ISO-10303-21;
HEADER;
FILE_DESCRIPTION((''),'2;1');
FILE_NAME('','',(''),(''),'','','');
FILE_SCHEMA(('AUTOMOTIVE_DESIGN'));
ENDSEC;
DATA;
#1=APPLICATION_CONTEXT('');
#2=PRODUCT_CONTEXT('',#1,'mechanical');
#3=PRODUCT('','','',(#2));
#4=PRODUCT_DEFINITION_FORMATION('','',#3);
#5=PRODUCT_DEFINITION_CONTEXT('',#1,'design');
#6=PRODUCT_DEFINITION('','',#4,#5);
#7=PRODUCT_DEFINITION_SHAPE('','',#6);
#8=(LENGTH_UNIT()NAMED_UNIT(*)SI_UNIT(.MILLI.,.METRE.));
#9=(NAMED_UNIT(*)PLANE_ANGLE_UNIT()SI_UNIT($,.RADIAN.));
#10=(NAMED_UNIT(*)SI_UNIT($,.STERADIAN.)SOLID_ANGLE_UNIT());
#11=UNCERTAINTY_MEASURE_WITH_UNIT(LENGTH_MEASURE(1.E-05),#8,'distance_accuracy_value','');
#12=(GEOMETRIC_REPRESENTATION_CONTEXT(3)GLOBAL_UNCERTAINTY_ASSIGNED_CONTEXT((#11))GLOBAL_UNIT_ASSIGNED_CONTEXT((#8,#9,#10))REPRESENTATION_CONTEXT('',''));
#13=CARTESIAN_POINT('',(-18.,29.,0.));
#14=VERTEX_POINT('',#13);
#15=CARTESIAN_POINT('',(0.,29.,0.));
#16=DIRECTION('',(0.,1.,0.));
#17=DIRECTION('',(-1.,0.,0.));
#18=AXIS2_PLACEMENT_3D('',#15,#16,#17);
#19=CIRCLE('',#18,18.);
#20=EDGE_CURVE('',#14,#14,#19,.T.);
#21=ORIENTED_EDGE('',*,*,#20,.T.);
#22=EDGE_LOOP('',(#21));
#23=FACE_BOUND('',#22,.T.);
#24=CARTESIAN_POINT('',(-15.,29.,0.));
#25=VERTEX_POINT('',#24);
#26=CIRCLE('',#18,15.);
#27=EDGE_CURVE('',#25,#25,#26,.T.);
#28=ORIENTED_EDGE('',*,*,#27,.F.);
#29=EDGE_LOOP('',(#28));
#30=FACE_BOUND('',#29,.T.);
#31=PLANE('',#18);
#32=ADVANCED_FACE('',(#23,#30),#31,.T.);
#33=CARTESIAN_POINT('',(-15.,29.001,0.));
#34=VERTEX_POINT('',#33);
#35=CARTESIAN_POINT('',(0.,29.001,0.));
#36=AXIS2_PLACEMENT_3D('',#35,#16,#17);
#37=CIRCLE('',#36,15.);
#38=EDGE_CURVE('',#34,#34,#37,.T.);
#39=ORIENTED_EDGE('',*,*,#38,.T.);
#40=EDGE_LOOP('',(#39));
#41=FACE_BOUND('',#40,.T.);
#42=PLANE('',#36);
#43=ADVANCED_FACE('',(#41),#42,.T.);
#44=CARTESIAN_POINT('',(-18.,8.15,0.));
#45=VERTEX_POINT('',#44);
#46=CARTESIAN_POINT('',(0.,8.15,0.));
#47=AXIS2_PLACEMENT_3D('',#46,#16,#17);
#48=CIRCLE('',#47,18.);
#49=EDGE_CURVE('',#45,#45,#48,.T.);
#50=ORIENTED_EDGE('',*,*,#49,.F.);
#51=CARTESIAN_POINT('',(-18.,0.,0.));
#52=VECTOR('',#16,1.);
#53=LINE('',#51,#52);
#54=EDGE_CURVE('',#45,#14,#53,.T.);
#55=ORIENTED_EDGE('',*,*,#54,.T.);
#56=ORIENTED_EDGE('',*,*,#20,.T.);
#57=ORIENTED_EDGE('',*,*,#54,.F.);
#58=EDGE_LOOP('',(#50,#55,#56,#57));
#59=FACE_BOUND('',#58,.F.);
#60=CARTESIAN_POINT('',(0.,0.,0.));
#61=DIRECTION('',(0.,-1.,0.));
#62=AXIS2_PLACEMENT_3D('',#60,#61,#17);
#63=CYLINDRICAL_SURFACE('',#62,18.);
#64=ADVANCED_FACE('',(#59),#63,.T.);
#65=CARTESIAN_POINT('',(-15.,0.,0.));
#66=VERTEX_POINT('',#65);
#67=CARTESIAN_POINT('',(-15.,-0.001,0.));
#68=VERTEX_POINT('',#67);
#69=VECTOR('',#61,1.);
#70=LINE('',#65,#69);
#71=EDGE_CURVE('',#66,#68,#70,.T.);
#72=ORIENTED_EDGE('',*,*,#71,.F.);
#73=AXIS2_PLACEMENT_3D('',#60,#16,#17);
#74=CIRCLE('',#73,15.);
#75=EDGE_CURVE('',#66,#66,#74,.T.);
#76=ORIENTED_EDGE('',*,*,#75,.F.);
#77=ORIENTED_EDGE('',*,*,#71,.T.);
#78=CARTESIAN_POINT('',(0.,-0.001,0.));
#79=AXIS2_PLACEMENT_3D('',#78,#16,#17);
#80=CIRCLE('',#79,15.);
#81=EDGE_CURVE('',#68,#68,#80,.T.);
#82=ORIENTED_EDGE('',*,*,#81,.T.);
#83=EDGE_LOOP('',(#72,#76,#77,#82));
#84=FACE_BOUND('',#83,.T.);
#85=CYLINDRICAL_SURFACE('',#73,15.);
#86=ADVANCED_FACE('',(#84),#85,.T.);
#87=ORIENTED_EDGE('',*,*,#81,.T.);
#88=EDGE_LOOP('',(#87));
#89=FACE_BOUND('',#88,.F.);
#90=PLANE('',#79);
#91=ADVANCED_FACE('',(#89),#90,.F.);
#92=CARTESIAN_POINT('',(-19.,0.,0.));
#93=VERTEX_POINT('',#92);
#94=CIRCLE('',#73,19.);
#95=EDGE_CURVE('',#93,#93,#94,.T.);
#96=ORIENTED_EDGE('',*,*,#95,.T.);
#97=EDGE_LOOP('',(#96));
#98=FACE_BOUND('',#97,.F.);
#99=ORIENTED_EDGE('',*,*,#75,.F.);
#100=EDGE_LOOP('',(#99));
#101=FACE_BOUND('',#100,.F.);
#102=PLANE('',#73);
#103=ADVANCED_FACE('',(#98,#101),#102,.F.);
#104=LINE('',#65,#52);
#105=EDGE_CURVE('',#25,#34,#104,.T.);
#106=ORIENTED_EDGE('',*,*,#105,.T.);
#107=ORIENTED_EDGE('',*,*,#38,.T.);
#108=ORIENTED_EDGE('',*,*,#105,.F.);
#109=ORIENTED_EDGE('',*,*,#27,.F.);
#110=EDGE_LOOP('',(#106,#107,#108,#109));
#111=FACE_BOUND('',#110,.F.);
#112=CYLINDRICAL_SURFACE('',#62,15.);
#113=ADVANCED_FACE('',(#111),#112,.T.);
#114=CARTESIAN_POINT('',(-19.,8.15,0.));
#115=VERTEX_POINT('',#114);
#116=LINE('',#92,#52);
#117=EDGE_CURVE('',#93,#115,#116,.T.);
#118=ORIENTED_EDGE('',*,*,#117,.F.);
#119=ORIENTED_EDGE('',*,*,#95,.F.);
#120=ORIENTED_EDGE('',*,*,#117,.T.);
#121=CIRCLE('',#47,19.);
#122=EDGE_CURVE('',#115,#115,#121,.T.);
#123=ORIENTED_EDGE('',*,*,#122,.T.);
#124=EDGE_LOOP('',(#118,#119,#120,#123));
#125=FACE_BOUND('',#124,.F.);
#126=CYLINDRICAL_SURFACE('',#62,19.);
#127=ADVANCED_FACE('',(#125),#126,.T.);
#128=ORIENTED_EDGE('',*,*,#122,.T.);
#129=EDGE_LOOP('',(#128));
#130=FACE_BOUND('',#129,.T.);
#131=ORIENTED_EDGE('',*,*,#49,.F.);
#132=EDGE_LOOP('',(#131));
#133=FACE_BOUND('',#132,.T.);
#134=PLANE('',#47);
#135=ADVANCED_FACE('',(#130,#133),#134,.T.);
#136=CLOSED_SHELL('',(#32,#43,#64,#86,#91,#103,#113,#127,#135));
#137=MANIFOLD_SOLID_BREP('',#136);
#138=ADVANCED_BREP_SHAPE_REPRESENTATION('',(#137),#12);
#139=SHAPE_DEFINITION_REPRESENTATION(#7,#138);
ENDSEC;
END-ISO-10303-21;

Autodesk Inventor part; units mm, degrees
ref_plane "YZ Plane" through (0, 0, 0) normal (1, 0, 0) x (0, 1, 0)
ref_plane "XZ Plane" through (0, 0, 0) normal (0, 1, 0) x (-1, 0, 0)
ref_plane "XY Plane" through (0, 0, 0) normal (0, 0, 1) x (1, 0, 0)
sketch "Sketch1" plane through (0, 0, 0) normal (0, 1, 0) x (-1, 0, 0)
  circle A0 centre (0, 0) radius 19
  circle A1 centre (0, 0) radius 18
  circle A2 centre (0, 0) radius 15
  dimension "d0" = 38
  dimension "d1" = 36
  dimension "d2" = 30
extrude "Extrusion1" add sketch "Sketch1" along normal blind 29 contours A1
extrude "Extrusion2" add sketch "Sketch1" along normal blind 8.15 contours A0
extrude "Extrusion3" add sketch "Sketch1" along normal blind 29.001 contours A2
extrude "Extrusion4" add sketch "Sketch1" against normal blind 0.001 contours A2
properties part number "NikkonTubelens"
